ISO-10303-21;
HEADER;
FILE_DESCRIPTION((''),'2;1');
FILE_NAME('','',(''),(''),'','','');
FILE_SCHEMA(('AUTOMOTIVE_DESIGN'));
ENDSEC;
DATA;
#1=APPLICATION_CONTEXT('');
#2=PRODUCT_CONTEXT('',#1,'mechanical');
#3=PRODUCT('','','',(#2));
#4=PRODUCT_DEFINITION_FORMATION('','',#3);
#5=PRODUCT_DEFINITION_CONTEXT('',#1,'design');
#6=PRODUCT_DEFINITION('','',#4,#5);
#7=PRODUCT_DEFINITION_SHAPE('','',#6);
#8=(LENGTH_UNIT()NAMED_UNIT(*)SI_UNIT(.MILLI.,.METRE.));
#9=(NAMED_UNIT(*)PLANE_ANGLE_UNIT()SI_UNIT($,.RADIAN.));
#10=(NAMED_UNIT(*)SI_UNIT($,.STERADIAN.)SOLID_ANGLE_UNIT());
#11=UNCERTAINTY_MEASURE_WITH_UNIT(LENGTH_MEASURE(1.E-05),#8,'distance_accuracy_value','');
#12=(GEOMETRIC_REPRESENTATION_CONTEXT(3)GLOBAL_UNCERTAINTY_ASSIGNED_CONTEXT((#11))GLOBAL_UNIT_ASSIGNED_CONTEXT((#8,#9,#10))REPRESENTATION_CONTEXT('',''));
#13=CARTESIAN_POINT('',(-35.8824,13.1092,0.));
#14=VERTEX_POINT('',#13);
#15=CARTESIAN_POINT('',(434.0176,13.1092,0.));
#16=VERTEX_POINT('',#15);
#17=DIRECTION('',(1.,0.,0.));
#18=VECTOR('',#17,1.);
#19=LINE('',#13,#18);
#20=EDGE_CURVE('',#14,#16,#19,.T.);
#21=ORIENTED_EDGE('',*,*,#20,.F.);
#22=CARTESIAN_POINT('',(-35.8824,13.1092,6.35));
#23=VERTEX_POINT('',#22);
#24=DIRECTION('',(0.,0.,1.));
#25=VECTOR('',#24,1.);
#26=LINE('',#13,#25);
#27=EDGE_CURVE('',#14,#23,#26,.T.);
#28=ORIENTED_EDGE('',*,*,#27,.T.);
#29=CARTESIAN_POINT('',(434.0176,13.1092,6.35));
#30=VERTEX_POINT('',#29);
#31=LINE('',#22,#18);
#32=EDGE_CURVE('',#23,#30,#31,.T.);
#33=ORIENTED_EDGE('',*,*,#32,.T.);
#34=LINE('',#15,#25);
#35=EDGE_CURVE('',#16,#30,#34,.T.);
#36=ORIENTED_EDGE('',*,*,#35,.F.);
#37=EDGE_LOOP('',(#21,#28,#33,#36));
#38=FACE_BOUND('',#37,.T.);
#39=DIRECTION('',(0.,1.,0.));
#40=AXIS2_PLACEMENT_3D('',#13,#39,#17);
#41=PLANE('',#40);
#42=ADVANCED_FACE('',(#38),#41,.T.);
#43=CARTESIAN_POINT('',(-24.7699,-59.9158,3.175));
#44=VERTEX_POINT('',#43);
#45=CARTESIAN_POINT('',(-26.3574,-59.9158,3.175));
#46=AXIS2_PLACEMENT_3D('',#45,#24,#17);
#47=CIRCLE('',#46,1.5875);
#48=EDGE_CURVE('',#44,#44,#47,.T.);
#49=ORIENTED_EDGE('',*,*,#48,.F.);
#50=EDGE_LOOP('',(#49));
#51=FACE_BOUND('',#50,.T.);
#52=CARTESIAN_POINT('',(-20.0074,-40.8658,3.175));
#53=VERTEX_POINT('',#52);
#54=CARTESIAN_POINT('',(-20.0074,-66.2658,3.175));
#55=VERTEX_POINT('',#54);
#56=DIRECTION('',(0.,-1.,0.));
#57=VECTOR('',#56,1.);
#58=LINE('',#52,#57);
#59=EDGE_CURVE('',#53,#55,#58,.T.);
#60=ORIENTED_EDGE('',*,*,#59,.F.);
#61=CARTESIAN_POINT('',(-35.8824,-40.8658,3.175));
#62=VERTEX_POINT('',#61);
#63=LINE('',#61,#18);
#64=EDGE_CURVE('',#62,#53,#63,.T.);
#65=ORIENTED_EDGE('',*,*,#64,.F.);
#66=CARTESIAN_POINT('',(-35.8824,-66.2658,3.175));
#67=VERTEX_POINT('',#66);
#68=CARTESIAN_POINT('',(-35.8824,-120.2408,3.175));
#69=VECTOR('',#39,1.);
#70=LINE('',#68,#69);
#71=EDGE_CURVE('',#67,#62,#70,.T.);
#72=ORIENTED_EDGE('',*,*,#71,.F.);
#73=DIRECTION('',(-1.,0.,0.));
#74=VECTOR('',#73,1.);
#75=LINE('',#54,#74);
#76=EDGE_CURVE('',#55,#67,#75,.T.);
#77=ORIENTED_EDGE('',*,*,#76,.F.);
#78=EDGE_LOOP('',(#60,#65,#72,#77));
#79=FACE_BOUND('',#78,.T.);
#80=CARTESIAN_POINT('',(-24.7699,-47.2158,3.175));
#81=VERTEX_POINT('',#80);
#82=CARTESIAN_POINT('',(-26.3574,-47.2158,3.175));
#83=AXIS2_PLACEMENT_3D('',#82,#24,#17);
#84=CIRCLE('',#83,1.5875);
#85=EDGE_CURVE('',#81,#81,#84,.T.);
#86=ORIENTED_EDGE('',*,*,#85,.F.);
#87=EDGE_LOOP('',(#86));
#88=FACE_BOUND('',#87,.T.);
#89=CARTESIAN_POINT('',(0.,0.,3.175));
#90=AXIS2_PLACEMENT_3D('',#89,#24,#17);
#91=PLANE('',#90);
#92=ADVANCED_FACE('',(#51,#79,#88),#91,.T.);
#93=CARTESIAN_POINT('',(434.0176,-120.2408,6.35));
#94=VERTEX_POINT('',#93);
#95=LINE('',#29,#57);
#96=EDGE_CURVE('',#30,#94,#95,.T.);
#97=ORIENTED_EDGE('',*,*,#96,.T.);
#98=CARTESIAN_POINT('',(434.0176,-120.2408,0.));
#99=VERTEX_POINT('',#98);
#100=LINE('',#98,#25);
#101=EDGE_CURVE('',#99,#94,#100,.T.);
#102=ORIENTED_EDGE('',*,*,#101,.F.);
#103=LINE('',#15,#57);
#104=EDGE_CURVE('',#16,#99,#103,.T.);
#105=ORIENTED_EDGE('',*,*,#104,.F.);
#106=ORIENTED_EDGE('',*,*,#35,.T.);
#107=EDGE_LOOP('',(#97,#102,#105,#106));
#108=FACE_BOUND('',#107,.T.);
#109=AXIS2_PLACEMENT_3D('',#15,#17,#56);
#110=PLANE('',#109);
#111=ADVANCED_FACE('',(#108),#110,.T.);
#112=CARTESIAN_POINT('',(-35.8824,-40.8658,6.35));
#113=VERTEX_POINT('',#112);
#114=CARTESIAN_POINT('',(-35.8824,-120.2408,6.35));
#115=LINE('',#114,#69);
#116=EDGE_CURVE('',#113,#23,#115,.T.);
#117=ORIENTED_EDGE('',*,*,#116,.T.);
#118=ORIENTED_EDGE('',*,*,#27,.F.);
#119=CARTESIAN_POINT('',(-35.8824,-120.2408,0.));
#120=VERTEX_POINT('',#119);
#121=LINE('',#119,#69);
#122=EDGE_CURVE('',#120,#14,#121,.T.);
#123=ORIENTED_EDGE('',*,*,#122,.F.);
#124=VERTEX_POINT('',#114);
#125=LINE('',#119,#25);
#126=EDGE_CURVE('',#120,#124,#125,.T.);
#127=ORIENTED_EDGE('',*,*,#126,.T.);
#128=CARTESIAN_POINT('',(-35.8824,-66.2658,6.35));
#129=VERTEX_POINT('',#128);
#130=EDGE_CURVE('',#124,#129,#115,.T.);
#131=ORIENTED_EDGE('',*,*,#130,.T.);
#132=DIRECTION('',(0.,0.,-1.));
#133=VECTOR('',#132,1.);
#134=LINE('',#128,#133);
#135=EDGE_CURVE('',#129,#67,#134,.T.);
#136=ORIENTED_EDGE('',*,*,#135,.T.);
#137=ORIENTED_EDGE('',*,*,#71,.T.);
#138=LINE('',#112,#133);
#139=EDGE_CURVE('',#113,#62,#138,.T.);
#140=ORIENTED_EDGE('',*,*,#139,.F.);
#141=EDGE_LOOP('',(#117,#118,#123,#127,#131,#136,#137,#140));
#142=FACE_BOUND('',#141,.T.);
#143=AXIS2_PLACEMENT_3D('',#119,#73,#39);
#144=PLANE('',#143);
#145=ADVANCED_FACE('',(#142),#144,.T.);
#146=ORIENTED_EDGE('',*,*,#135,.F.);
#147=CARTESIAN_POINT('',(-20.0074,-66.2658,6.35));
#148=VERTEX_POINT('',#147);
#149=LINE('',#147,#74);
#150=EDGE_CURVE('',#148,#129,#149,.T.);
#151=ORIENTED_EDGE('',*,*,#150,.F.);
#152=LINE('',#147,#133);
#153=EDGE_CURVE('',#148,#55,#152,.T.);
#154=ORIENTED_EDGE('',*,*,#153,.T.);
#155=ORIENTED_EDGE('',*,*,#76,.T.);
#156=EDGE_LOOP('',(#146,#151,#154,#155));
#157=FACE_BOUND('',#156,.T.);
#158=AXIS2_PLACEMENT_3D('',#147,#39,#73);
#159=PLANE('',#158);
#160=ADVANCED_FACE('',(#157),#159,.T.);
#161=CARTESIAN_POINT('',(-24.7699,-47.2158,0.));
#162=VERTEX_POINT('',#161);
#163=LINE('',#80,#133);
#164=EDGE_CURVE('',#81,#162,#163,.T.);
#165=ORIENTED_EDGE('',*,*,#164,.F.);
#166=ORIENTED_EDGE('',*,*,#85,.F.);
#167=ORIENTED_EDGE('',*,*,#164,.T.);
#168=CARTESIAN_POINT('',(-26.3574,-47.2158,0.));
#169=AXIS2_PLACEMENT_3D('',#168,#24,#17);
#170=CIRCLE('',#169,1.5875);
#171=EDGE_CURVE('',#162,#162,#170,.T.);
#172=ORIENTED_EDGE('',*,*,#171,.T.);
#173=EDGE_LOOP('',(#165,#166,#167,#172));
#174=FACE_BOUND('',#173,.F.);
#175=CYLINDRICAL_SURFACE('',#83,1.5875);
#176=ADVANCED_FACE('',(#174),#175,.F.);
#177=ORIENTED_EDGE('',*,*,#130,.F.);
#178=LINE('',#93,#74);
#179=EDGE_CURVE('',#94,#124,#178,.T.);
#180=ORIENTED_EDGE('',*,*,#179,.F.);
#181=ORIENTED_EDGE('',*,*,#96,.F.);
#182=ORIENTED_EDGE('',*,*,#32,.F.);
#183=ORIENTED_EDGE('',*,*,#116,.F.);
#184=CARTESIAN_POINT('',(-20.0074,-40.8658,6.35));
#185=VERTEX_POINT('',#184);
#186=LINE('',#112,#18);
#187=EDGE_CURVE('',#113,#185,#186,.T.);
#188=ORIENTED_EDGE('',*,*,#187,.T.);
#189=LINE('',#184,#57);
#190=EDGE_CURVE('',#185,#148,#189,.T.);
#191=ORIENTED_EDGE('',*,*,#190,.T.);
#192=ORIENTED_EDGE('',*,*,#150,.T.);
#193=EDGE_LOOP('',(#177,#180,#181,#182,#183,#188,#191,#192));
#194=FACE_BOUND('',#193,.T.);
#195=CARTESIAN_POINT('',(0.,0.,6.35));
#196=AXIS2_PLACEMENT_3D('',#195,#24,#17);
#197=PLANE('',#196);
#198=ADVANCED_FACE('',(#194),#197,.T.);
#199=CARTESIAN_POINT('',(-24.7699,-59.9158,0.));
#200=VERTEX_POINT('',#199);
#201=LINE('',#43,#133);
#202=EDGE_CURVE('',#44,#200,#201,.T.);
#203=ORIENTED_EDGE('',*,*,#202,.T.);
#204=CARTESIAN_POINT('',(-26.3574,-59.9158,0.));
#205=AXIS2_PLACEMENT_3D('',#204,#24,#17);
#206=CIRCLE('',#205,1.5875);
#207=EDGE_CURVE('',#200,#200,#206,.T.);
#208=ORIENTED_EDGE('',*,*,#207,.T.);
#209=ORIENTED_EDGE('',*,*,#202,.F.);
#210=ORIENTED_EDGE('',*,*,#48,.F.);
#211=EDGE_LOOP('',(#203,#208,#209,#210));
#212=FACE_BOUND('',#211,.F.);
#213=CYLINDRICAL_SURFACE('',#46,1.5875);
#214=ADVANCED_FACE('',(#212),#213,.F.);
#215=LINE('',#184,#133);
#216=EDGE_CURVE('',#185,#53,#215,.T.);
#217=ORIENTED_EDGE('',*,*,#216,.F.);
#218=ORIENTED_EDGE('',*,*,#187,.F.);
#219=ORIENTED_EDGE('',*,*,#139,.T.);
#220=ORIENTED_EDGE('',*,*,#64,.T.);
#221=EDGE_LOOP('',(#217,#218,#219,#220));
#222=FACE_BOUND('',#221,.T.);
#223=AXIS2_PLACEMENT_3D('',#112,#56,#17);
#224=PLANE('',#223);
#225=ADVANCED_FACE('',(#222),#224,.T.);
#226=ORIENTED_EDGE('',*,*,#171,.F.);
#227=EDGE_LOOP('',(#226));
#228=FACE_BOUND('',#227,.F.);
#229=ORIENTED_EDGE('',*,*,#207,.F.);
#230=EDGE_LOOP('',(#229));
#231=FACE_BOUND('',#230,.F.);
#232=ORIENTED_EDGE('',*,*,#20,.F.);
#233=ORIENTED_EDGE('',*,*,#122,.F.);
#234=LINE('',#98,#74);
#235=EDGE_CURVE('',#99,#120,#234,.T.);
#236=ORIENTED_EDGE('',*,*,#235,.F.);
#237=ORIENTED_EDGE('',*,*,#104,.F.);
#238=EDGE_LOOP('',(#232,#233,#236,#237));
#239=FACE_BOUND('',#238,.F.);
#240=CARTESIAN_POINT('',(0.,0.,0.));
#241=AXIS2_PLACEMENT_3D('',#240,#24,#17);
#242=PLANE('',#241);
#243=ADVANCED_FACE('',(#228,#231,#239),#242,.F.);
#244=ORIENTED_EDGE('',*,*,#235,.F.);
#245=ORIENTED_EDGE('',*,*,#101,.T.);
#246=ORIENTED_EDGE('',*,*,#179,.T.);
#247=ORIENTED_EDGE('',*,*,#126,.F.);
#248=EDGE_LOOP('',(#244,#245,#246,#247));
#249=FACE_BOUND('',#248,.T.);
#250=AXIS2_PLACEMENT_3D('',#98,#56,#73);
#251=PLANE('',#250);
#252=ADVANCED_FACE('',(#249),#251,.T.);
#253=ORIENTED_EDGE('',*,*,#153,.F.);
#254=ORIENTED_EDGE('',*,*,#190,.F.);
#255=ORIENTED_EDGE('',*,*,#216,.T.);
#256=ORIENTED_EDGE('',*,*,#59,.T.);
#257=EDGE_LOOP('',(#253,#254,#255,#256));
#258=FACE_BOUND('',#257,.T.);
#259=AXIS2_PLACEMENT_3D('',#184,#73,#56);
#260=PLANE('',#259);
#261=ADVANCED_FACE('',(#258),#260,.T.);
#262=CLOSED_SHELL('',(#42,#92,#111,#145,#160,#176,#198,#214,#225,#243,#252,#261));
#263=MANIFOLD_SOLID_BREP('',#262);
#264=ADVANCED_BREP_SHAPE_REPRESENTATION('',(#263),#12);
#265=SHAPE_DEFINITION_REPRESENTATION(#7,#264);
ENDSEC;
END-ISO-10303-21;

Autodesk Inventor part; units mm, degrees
ref_plane "YZ Plane" through (0, 0, 0) normal (1, 0, 0) x (0, 1, 0)
ref_plane "XZ Plane" through (0, 0, 0) normal (0, 1, 0) x (-1, 0, 0)
ref_plane "XY Plane" through (0, 0, 0) normal (0, 0, 1) x (1, 0, 0)
sketch "Sketch1" plane through (0, 0, 0) normal (0, 0, 1) x (1, 0, 0)
  line L0 (-35.8824, 13.1092) -> (434.0176, 13.1092)
  line L1 (434.0176, 13.1092) -> (434.0176, -120.2408)
  line L2 (434.0176, -120.2408) -> (-35.8824, -120.2408)
  line L3 (-35.8824, -120.2408) -> (-35.8824, 13.1092)
  point P0 (0, 0)
  dimension "d0" = 469.9
  dimension "d1" = 133.35
extrude "Extrusion1" add sketch "Sketch1" along normal blind 6.35
sketch "Sketch2" plane through (0, 0, 6.35) normal (0, 0, 1) x (1, 0, 0)
  line L0 (434.0176, 13.1092) -> (434.0176, -120.2408) projected
  line L1 (434.0176, -40.8658) -> (418.1426, -40.8658)
  line L2 (418.1426, -40.8658) -> (418.1426, -66.2658)
  line L3 (418.1426, -66.2658) -> (434.0176, -66.2658)
  line L4 (434.0176, -66.2658) -> (434.0176, -40.8658)
  line L5 (-35.8824, 13.1092) -> (434.0176, 13.1092) projected
  line L6 (-35.8824, -120.2408) -> (-35.8824, 13.1092) projected
  line L7 (434.0176, -120.2408) -> (-35.8824, -120.2408) projected
  line L8 (199.0676, 13.1092) -> (199.0676, -120.2408)
  line L9 (-35.8824, -40.8658) -> (-20.0074, -40.8658)
  line L10 (-20.0074, -40.8658) -> (-20.0074, -66.2658)
  line L11 (-20.0074, -66.2658) -> (-35.8824, -66.2658)
  line L12 (-35.8824, -66.2658) -> (-35.8824, -40.8658)
  point P0 (0, 0)
  dimension "d4" = 15.875
  dimension "d5" = 25.4
  dimension "d6" = 53.975
  dimension "d16" = 234.95
ref_plane "Work Plane1" through (0, 0, 3.175) normal (0, 0, 1) x (1, 0, 0)
extrude "Extrusion4" cut sketch "Sketch2" against normal blind 3.175 contours L9 L10 L11 L6
sketch "Sketch4" plane through (0, 0, 3.175) normal (0, 0, 1) x (1, 0, 0)
  line L0 (-20.0074, -66.2658) -> (-20.0074, -40.8658) projected
  line L1 (-20.0074, -40.8658) -> (-35.8824, -40.8658) projected
  circle A0 centre (-26.3574, -47.2158) radius 1.5875
  circle A1 centre (-26.3574, -59.9158) radius 1.5875
  point P0 (0, 0)
  dimension "d19" = 12.7
  dimension "d20" = 6.35
  dimension "d21" = 3.175
  dimension "d22" = 3.175
  dimension "d23" = 6.35
extrude "Extrusion5" cut sketch "Sketch4" against normal blind 3.175
properties part number "top panel for hinge 2"
